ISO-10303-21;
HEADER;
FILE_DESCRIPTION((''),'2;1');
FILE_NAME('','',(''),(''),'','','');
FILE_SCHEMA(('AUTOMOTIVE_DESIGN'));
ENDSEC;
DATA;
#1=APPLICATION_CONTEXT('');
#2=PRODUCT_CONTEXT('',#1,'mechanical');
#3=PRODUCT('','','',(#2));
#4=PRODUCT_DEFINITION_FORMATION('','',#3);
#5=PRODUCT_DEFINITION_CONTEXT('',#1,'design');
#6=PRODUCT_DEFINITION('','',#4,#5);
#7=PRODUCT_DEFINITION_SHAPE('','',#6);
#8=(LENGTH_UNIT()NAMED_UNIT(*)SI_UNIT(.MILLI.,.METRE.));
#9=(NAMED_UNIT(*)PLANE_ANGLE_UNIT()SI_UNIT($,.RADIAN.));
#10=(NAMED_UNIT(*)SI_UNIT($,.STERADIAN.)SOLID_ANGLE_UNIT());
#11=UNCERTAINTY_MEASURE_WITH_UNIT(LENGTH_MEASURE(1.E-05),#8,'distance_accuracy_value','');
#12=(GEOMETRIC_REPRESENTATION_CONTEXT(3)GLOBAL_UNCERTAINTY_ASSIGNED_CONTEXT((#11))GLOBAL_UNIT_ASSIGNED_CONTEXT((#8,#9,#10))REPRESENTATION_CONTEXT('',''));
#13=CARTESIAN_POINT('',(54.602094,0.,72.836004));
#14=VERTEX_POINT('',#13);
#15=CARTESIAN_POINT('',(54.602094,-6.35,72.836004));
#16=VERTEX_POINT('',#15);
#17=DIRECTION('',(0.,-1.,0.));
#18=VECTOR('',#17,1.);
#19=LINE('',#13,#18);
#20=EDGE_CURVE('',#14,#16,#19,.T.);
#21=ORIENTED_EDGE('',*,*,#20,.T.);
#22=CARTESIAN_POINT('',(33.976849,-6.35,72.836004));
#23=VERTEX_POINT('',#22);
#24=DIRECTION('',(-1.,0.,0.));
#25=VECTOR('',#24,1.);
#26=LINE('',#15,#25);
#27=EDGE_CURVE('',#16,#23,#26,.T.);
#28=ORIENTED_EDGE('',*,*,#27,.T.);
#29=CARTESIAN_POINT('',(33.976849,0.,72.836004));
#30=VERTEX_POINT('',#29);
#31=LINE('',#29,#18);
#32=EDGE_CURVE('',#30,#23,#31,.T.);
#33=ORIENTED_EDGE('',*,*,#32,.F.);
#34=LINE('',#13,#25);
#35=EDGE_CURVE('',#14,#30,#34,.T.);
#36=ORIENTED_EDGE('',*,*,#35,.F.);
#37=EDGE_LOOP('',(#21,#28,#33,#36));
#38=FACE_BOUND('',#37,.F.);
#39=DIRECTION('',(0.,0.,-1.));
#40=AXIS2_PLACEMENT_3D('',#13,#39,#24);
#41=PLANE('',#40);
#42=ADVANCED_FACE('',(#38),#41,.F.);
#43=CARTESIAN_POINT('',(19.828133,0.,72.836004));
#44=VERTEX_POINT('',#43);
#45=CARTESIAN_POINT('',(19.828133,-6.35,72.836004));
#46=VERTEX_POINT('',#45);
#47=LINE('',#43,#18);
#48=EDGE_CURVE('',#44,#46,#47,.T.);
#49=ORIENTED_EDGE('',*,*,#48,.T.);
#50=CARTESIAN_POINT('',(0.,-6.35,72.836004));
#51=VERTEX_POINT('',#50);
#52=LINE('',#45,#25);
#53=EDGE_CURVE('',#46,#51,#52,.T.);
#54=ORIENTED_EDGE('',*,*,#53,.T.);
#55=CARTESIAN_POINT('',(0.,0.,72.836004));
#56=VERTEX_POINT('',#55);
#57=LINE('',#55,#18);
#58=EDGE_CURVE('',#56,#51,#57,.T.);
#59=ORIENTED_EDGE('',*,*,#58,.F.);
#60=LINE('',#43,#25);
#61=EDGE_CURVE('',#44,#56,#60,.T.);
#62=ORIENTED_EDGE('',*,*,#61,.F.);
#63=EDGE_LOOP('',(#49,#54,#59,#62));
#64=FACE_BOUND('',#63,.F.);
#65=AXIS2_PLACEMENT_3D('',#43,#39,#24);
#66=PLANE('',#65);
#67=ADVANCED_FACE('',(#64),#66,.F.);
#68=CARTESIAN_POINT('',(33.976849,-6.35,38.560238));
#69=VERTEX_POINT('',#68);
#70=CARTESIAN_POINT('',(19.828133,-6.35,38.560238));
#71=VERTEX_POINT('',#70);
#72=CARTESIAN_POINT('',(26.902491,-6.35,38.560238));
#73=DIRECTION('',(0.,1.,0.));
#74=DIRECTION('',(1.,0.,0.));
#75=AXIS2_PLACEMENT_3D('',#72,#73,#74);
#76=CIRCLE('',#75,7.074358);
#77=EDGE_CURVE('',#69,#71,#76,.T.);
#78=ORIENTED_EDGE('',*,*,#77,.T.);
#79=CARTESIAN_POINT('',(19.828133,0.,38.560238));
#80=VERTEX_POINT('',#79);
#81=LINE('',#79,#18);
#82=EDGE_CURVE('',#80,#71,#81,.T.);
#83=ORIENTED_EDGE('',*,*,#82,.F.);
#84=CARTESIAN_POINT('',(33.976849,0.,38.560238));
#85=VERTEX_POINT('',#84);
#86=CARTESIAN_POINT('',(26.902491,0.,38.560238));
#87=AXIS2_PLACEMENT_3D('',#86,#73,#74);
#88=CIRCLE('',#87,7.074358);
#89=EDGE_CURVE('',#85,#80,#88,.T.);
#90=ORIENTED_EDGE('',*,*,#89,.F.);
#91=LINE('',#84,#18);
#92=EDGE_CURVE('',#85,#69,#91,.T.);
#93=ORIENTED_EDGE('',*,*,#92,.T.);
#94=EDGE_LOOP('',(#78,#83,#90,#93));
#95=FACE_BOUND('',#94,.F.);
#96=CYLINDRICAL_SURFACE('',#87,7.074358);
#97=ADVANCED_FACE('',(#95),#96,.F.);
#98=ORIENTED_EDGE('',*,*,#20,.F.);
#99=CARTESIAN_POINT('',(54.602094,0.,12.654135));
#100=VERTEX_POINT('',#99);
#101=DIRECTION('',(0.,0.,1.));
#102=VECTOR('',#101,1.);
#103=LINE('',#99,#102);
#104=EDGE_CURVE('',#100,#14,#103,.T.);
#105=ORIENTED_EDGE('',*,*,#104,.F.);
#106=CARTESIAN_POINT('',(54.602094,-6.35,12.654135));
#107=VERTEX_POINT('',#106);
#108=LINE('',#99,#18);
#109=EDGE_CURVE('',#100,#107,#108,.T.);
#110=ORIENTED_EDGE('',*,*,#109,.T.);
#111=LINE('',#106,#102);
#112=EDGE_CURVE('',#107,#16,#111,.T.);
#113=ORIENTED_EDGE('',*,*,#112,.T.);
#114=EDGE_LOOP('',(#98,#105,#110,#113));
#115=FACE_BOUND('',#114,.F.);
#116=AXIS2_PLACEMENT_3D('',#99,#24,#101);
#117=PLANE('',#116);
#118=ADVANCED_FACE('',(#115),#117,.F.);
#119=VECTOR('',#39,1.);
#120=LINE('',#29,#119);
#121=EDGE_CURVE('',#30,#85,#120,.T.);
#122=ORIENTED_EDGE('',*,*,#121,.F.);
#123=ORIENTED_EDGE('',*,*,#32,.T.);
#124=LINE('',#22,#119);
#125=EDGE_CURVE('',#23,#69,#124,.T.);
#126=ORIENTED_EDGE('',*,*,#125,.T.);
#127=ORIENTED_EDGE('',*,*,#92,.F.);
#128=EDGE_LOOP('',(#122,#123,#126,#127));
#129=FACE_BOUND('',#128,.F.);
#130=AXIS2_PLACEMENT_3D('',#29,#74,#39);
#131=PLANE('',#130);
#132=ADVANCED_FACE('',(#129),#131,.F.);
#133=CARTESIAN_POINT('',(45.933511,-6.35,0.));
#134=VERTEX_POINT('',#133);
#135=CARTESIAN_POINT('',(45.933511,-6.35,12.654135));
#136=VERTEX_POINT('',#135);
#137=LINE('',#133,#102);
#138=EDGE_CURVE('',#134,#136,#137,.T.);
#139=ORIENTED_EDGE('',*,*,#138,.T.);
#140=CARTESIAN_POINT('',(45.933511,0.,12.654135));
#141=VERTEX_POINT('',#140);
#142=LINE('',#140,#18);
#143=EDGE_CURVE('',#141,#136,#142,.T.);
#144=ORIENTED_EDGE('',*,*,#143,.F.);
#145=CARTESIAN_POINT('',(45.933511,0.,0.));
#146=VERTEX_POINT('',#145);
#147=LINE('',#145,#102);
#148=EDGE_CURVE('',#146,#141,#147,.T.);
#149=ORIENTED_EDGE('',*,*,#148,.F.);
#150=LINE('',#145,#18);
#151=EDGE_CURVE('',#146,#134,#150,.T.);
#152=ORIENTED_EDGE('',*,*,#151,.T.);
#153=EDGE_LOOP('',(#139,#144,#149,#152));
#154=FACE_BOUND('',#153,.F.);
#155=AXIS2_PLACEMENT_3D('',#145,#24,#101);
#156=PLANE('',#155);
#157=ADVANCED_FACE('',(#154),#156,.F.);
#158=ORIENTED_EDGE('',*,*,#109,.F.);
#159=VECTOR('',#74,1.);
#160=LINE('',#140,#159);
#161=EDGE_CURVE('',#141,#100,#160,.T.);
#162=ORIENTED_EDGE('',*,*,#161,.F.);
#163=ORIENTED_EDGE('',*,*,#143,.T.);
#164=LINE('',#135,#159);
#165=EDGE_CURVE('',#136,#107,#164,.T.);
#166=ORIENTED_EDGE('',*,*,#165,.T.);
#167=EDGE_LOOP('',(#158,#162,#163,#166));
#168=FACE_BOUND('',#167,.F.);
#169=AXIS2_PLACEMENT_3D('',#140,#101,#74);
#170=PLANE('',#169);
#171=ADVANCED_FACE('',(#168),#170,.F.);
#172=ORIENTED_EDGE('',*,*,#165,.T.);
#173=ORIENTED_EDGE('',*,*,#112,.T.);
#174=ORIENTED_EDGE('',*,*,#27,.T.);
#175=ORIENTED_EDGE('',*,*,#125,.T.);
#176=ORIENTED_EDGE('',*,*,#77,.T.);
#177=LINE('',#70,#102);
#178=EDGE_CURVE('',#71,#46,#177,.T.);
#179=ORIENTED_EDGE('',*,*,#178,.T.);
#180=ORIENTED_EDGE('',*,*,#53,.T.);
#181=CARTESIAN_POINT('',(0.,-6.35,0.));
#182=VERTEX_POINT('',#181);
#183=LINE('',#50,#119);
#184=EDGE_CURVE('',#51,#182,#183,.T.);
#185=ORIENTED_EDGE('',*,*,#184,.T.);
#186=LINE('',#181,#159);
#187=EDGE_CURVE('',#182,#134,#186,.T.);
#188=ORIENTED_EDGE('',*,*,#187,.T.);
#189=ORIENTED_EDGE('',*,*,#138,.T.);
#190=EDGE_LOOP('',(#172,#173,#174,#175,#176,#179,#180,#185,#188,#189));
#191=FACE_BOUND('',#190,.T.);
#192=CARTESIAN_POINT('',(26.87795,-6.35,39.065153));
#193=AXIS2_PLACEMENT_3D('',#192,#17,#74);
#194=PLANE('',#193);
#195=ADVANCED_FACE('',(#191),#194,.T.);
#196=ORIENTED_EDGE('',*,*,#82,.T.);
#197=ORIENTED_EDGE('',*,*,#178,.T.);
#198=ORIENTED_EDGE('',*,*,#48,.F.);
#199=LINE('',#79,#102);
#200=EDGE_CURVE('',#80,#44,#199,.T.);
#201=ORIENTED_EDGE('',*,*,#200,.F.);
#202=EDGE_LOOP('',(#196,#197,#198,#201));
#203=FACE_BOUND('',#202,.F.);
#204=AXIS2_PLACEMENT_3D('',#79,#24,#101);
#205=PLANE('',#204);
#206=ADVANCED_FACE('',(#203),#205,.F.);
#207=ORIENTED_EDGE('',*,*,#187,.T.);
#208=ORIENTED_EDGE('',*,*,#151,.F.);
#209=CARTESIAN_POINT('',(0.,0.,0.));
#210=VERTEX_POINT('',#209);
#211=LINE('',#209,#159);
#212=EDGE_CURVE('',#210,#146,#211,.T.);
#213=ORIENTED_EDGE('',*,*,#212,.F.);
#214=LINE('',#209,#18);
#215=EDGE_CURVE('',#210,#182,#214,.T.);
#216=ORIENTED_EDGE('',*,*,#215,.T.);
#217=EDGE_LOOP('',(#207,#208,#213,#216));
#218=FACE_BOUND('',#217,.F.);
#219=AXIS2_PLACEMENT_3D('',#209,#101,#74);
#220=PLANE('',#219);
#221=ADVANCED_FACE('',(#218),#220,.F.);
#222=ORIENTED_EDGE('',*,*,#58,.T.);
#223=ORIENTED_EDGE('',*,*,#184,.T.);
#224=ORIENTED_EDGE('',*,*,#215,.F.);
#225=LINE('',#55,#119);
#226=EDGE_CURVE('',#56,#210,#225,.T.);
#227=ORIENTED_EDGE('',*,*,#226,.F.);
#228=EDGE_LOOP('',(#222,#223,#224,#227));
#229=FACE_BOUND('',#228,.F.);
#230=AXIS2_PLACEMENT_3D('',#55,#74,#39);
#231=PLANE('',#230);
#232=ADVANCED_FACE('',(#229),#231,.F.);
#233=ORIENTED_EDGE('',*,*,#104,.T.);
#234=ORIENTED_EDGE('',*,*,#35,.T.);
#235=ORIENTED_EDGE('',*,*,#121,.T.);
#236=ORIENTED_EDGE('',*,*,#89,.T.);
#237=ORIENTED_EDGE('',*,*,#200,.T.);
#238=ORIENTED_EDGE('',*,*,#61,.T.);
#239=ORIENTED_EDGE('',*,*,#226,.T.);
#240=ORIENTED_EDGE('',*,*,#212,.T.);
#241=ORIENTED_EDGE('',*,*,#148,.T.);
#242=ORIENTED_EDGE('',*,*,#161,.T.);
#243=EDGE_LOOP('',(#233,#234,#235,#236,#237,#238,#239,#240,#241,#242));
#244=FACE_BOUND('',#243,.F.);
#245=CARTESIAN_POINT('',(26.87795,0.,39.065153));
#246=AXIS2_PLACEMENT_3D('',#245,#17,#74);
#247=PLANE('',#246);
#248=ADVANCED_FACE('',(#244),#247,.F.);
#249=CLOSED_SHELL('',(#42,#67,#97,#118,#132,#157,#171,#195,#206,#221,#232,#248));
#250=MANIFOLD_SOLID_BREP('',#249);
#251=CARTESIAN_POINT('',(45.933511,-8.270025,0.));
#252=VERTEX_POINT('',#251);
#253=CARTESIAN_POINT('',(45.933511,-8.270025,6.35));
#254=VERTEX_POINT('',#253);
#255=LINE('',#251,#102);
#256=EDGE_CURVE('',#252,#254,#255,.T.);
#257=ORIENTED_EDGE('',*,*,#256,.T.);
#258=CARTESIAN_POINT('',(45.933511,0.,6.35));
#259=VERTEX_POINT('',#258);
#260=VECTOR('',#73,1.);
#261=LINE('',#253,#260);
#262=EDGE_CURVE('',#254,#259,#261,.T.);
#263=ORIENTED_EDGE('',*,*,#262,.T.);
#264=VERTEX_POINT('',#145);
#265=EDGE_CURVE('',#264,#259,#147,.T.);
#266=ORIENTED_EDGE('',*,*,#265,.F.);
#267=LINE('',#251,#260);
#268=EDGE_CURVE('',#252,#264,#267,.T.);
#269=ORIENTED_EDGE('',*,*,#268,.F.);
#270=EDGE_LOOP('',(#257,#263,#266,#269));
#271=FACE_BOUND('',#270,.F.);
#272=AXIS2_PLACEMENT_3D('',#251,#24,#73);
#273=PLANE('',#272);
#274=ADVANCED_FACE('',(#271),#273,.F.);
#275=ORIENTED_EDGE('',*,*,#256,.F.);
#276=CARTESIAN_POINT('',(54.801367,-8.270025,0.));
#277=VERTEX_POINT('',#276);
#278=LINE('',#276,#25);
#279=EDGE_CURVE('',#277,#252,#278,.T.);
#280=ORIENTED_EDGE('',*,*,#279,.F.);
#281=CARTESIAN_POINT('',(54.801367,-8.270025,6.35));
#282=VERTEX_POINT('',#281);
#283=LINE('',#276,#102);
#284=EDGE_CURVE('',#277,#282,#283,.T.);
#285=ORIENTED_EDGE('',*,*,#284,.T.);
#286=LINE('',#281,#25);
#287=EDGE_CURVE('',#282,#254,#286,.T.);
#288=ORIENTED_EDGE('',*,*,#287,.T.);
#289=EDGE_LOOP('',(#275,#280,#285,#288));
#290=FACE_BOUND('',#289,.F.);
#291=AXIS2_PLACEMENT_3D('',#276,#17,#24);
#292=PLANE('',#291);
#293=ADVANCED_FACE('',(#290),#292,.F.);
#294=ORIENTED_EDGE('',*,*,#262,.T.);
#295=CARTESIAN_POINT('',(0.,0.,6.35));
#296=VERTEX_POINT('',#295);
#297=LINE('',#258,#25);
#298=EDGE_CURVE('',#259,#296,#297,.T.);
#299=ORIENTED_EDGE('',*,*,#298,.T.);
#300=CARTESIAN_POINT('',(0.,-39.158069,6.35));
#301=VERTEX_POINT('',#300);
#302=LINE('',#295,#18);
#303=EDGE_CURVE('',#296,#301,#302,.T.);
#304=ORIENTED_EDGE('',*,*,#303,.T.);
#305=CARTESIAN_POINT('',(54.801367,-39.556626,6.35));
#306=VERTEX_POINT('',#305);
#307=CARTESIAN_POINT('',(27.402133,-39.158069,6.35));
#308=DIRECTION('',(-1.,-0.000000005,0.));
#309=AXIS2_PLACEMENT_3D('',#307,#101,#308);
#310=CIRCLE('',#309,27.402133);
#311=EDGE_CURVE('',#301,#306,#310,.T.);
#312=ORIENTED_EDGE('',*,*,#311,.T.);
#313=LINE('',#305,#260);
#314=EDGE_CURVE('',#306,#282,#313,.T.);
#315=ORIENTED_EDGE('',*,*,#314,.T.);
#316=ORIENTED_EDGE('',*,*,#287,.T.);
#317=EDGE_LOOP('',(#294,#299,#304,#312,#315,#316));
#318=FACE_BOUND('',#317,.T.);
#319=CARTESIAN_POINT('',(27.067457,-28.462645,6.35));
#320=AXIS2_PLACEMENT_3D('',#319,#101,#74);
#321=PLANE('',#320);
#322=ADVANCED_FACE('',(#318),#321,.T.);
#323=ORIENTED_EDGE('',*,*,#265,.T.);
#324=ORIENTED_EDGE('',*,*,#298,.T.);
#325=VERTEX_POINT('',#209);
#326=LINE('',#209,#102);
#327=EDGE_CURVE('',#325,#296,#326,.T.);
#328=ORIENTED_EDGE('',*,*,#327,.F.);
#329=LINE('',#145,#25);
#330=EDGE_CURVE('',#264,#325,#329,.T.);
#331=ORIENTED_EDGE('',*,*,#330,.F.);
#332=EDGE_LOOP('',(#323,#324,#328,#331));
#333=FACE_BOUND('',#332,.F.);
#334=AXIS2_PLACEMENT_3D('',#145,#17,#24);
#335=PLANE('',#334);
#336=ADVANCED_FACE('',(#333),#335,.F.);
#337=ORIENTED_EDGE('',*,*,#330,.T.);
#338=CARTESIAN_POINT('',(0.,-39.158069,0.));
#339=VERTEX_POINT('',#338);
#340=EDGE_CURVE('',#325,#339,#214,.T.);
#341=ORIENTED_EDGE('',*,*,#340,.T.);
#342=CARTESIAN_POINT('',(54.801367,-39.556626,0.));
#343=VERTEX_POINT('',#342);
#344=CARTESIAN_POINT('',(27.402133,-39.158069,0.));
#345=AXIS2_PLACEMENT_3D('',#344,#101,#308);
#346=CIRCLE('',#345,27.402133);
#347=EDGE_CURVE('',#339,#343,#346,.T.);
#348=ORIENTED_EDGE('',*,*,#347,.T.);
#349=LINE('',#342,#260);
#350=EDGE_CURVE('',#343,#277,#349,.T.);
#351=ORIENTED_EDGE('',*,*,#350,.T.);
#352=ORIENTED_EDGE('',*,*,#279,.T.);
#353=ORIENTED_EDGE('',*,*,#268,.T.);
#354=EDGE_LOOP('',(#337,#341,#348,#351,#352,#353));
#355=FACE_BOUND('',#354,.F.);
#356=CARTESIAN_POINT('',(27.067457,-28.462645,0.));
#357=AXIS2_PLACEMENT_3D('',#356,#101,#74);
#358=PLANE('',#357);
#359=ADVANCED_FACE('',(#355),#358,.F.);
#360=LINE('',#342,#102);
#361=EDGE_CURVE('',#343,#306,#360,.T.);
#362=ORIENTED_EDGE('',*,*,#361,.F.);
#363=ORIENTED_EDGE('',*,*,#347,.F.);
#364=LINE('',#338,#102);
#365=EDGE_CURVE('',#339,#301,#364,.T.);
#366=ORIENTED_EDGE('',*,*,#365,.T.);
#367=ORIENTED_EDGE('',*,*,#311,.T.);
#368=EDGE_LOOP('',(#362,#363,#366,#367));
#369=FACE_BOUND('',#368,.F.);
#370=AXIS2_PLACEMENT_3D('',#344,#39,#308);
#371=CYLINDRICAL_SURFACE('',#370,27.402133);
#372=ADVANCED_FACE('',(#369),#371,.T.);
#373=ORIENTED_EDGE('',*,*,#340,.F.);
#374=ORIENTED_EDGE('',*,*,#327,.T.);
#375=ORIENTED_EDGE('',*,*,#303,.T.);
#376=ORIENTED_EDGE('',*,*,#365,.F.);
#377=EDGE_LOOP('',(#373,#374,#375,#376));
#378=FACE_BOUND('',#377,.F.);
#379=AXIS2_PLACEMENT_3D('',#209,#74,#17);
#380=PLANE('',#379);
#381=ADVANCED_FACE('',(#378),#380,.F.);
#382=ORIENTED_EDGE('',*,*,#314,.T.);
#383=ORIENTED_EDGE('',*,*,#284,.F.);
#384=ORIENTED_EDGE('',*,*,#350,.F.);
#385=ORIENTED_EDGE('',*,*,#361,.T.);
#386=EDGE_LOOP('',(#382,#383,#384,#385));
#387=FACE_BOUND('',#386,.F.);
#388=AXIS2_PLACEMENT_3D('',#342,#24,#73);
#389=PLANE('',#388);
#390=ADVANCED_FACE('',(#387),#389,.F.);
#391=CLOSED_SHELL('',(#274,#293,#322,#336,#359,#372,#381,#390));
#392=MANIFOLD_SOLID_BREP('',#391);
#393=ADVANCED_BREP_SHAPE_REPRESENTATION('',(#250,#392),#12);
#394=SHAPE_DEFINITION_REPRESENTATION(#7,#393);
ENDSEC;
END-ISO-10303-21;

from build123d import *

# Parameters (mm, degrees)
F2_DEPTH = 6.35
F3_DEPTH = 6.35


with BuildPart() as f2:
    # F0 (on Front) → F2 (new body)
    with BuildSketch(Plane.XZ):
        with BuildLine():
            Line((0, 72.836004), (0, 0))
            Line((0, 0), (45.933511, 0))
            Line((45.933511, 0), (45.933511, 12.654135))
            Line((45.933511, 12.654135), (54.602094, 12.654135))
            Line((54.602094, 12.654135), (54.602094, 72.836004))
            Line((54.602094, 72.836004), (33.976849, 72.836004))
            Line((33.976849, 72.836004), (33.976849, 38.560238))
            ThreePointArc((33.976849, 38.560238), (26.902491, 31.48588), (19.828133, 38.560238))
            Line((19.828133, 38.560238), (19.828133, 72.836004))
            Line((19.828133, 72.836004), (0, 72.836004))
        make_face()
    extrude(amount=F2_DEPTH)


with BuildPart() as f3:
    # F1 (on Top) → F3 (new body)
    with BuildSketch(Plane.XY):
        with BuildLine():
            Line((45.933511, 0), (0, 0))
            Line((0, 0), (0, -39.158069))
            ThreePointArc((0, -39.158069), (27.202849, -66.559477), (54.801367, -39.556626))
            Line((54.801367, -39.556626), (54.801367, -8.270025))
            Line((54.801367, -8.270025), (45.933511, -8.270025))
            Line((45.933511, -8.270025), (45.933511, 0))
        make_face()
    extrude(amount=F3_DEPTH)


solid = Compound([f2.part, f3.part])
